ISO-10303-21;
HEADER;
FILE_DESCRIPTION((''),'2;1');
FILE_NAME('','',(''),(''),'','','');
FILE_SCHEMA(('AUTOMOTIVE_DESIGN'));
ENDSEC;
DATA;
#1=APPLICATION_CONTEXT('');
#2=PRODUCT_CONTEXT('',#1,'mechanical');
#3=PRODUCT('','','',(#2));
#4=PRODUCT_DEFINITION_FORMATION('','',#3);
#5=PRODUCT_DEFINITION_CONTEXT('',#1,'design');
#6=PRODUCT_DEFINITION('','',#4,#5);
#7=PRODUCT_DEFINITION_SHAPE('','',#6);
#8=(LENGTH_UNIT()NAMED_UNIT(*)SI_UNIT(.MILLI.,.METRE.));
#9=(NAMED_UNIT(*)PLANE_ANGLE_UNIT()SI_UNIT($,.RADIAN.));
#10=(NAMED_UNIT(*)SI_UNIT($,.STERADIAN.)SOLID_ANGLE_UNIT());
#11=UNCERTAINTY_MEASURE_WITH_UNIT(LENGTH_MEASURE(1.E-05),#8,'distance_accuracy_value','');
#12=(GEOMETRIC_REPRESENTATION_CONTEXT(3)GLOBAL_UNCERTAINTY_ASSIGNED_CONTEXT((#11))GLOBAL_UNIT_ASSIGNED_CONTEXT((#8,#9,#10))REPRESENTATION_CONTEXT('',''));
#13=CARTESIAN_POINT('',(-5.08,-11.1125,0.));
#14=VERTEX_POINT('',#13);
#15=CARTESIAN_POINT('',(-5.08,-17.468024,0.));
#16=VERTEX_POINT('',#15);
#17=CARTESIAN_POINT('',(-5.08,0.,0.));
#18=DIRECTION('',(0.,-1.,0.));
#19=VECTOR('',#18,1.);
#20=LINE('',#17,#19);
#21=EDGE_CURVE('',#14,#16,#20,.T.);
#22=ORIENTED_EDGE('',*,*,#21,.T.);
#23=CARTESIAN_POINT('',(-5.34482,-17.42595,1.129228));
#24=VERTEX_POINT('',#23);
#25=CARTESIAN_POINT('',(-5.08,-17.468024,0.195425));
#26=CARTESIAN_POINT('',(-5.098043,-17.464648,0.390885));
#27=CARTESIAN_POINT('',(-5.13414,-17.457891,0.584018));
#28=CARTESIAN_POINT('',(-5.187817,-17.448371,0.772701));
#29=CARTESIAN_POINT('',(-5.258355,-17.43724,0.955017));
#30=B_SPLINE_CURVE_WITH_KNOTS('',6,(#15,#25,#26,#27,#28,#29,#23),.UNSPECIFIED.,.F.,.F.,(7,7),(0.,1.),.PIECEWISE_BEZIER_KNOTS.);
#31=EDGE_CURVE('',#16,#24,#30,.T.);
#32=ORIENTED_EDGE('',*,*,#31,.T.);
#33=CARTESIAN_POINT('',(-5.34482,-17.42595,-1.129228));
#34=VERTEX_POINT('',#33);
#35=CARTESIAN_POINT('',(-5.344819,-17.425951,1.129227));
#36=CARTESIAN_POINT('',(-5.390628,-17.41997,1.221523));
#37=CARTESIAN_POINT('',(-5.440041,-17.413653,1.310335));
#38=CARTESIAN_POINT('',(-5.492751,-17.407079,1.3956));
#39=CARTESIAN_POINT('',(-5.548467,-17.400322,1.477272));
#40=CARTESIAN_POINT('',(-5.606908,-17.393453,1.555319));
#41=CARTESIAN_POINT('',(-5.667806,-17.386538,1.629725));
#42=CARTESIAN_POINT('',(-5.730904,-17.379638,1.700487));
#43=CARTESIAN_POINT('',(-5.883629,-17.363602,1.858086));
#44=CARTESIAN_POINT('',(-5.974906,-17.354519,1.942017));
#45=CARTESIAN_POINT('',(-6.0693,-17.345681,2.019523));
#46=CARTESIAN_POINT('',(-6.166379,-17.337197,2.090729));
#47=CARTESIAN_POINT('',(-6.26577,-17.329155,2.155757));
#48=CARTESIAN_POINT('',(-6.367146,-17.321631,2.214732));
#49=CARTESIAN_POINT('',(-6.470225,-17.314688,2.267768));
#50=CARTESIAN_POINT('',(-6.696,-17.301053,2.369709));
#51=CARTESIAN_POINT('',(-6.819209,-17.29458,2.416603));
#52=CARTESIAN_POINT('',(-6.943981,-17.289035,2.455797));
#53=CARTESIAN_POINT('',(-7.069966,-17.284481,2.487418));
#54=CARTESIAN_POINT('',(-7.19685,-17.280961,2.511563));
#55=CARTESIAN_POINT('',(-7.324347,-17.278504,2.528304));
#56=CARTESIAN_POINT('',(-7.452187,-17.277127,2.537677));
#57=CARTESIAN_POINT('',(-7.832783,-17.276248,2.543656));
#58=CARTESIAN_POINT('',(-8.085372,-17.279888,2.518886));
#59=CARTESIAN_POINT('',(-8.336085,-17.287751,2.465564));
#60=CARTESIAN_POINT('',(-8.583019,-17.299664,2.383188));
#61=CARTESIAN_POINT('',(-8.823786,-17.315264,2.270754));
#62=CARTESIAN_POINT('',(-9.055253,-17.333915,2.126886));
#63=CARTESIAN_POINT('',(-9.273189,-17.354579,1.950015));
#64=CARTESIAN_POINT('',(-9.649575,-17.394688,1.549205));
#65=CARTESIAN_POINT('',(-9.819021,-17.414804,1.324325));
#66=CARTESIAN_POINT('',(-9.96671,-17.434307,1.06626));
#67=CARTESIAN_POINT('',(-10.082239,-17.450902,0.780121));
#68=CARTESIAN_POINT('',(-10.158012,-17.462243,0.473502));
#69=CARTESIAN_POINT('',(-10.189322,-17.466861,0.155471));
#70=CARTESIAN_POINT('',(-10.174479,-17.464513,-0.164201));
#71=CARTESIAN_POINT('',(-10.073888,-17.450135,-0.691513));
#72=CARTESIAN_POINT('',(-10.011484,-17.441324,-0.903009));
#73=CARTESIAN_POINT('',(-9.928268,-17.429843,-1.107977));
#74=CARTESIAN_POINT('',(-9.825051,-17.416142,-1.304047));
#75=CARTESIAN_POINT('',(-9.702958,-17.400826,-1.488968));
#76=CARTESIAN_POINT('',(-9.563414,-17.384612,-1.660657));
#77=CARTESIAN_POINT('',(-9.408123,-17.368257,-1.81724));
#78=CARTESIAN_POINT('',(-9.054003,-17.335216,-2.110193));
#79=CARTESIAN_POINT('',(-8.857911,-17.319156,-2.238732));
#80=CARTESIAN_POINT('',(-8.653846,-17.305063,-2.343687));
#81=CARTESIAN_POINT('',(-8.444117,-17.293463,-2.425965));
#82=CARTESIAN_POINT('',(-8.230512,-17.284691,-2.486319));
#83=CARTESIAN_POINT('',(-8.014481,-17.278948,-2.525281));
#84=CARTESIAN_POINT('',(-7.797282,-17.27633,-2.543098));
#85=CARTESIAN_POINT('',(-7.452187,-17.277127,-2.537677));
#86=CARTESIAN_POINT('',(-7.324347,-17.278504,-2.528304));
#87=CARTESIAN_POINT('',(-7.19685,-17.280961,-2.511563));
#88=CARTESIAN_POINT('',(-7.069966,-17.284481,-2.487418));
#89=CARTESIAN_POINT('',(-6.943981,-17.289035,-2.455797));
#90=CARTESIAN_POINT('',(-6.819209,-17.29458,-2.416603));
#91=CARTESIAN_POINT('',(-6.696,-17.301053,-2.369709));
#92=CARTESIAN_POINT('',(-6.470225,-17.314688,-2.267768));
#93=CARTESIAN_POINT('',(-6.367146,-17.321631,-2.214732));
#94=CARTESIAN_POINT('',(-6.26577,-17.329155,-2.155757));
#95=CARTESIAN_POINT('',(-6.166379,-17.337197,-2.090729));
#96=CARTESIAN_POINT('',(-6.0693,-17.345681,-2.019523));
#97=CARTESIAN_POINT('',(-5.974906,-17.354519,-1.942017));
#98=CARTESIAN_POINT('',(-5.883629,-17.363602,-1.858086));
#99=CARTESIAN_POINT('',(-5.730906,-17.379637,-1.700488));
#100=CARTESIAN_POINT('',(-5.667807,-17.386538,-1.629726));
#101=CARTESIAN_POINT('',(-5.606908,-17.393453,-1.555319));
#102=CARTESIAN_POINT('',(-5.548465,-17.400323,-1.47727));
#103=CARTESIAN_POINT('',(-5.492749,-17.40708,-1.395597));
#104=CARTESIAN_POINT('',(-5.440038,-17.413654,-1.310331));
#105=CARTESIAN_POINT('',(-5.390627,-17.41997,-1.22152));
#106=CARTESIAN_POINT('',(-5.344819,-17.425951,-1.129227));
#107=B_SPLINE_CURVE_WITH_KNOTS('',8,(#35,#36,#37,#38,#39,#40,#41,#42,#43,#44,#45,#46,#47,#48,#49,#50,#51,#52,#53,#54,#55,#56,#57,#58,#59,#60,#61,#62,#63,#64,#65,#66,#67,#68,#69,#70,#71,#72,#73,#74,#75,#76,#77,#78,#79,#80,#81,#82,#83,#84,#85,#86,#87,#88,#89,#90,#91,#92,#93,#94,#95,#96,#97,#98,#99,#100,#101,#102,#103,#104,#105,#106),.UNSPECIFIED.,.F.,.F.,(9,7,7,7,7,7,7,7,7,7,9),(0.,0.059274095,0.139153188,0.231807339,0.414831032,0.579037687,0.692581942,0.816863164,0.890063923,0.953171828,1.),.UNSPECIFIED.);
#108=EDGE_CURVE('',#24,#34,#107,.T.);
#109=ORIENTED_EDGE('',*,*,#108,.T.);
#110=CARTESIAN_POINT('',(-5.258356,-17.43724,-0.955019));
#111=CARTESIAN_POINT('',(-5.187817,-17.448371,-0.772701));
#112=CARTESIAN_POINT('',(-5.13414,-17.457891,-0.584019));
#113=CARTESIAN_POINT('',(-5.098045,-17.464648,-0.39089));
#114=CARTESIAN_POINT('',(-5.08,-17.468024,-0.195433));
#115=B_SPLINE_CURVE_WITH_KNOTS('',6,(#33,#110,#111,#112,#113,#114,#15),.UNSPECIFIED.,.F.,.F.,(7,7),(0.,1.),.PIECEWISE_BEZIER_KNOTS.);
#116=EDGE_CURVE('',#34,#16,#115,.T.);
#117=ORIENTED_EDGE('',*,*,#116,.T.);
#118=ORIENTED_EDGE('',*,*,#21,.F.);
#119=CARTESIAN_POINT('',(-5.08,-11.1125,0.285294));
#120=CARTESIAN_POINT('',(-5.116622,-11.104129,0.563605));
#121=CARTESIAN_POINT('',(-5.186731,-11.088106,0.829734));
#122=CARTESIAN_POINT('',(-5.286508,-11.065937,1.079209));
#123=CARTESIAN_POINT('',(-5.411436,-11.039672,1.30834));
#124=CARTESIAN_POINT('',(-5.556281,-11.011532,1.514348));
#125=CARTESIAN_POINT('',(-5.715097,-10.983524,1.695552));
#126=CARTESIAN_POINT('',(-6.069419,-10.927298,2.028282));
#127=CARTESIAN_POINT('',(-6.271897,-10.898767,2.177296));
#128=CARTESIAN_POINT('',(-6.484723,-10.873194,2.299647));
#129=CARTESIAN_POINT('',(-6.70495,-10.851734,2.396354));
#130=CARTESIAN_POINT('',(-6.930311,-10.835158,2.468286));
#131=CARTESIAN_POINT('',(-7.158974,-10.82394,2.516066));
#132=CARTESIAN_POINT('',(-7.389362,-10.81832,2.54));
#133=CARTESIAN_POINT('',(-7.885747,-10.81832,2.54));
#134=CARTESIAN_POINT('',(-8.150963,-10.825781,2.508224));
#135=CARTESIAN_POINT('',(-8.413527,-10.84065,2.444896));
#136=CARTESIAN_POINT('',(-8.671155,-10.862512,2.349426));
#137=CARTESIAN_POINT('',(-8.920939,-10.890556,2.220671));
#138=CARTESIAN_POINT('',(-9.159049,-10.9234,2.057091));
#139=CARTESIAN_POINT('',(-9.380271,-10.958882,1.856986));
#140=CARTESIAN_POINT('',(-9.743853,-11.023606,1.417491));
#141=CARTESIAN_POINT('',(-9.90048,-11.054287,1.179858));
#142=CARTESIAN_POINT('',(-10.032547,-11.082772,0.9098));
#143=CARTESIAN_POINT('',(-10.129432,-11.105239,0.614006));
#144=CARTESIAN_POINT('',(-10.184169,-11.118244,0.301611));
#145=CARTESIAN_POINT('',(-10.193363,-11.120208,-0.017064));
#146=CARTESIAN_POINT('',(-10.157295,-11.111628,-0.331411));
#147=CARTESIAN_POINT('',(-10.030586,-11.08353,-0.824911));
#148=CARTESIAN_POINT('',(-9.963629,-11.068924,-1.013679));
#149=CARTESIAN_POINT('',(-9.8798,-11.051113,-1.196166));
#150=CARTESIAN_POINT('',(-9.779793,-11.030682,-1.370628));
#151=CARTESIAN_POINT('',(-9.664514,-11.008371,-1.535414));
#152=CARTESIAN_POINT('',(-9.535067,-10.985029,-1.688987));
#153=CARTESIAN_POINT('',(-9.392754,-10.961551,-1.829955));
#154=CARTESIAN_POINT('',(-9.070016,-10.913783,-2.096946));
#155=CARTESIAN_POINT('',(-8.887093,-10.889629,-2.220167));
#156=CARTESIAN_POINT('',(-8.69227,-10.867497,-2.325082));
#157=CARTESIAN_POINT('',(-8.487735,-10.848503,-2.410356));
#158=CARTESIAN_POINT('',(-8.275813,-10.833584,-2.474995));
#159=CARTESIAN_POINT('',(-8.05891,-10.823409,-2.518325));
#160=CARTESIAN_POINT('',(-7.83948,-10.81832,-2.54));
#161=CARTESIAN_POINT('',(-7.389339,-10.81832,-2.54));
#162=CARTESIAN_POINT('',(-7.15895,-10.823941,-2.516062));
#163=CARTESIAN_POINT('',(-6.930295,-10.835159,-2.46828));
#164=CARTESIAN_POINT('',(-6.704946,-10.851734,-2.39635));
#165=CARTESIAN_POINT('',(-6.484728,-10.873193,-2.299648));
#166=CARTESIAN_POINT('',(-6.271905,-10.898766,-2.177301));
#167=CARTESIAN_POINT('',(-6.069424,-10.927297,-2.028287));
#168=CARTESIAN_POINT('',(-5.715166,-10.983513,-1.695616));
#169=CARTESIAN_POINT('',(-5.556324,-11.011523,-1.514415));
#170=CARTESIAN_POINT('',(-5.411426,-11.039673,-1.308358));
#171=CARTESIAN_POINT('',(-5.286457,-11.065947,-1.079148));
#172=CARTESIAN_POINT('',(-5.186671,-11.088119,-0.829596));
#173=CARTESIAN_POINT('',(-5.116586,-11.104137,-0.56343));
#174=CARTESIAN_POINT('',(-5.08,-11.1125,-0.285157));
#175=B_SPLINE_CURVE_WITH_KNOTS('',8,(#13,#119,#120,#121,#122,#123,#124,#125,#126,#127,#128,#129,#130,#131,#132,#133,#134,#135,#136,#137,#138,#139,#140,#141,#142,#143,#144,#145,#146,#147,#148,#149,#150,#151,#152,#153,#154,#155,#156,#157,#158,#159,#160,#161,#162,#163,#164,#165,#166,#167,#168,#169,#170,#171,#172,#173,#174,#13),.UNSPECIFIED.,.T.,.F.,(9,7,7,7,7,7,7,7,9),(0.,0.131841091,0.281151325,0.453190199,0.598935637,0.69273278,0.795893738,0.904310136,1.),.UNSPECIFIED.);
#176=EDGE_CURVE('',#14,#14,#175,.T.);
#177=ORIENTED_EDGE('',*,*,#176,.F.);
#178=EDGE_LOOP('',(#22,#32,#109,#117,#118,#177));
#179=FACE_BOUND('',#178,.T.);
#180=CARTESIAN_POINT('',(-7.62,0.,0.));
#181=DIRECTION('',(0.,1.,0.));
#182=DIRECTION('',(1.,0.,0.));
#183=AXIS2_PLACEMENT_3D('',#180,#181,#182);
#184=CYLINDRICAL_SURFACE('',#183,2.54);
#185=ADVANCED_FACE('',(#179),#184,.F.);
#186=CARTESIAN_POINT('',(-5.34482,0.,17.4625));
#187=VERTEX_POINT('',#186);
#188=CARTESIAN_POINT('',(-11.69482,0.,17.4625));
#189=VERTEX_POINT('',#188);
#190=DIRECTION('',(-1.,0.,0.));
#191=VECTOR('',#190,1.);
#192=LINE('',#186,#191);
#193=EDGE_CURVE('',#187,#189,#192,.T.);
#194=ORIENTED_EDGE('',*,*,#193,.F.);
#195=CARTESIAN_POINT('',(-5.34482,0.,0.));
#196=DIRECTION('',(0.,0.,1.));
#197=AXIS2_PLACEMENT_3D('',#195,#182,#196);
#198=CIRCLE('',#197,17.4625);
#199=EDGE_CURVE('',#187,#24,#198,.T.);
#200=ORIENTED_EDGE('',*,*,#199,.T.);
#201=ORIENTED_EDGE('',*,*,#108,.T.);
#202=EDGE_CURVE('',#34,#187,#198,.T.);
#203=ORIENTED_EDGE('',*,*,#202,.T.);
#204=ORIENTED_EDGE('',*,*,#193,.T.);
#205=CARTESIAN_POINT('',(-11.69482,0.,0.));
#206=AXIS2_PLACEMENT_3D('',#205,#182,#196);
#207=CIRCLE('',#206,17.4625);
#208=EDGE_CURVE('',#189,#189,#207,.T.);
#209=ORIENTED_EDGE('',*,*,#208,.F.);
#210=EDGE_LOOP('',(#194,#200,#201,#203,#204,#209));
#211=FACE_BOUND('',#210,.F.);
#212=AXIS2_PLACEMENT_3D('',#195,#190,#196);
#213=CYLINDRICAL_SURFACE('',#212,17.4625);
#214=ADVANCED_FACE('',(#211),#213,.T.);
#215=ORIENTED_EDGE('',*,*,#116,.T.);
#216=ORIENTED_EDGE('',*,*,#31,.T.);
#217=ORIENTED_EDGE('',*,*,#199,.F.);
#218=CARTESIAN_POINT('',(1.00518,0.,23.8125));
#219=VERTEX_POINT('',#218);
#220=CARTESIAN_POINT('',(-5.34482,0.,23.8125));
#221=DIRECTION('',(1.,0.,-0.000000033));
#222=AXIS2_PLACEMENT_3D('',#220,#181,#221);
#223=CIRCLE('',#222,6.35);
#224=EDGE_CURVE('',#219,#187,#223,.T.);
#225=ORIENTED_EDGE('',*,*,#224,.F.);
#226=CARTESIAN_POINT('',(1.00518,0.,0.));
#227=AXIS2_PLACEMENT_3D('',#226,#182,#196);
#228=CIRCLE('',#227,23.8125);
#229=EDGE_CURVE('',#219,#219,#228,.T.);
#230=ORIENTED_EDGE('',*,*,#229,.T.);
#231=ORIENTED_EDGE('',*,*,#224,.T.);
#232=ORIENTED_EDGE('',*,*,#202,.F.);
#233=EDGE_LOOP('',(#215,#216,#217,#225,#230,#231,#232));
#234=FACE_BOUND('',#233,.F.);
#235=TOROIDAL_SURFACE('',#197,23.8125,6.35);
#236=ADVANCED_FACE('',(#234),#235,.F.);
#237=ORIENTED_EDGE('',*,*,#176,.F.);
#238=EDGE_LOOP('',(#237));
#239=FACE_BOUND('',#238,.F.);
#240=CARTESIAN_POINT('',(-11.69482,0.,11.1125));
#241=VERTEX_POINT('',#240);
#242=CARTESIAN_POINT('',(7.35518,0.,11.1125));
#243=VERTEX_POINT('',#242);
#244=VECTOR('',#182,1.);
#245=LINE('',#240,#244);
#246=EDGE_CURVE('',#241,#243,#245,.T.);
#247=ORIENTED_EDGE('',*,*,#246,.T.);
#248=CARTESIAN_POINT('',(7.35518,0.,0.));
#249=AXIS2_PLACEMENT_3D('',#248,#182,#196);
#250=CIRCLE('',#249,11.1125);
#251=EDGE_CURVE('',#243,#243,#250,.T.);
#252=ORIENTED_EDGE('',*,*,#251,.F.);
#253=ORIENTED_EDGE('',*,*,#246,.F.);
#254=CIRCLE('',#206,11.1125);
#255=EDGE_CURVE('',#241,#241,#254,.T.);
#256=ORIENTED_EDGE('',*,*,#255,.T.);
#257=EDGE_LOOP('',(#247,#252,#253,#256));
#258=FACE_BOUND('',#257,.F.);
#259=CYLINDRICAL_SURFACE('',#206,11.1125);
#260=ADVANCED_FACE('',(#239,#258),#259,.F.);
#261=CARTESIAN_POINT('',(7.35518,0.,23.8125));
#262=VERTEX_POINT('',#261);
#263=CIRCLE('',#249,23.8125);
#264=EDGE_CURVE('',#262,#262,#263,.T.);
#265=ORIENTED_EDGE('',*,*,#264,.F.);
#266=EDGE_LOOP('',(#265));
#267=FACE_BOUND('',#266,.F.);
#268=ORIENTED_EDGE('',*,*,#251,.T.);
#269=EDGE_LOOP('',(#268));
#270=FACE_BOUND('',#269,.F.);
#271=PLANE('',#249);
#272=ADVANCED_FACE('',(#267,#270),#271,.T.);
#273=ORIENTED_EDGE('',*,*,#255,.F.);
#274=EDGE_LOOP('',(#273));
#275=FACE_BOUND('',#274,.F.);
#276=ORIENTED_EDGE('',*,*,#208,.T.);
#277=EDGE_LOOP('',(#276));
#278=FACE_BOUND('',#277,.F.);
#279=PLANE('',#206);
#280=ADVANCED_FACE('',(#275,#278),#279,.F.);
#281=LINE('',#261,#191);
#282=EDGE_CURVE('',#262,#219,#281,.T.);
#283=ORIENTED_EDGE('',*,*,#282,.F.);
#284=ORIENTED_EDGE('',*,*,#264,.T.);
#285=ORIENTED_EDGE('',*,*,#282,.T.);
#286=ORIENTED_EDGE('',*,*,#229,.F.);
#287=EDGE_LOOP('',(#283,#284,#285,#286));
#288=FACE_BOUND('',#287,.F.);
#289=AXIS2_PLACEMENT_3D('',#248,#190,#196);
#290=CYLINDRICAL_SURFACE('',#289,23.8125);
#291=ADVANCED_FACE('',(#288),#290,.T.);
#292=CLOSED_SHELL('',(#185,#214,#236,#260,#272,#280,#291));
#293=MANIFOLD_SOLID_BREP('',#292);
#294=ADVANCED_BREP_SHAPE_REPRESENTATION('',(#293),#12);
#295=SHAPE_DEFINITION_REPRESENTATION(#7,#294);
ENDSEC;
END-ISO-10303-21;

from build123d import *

# Parameters (mm, degrees)
F2_R     = 2.54
F3_DEPTH = 25.4


with BuildPart() as f1:
    # F0 (on Front) → F1 (revolve)
    with BuildSketch(Plane.XZ):
        with BuildLine():
            Line((-11.69482, 17.4625), (-11.69482, 11.1125))
            Line((-11.69482, 11.1125), (7.35518, 11.1125))
            Line((7.35518, 11.1125), (7.35518, 23.8125))
            Line((7.35518, 23.8125), (1.00518, 23.8125))
            ThreePointArc((1.00518, 23.8125), (-0.854692, 19.322372), (-5.34482, 17.4625))
            Line((-5.34482, 17.4625), (-11.69482, 17.4625))
        make_face()
    revolve(axis=Axis((2.332425, 0, 0), (1, 0, 0)))

    # F2 (on Front) → F3 (cut)
    with BuildSketch(Plane.XZ):
        with Locations((-7.62, 0)):
            Circle(F2_R)
    extrude(amount=F3_DEPTH, mode=Mode.SUBTRACT)


solid = f1.part
